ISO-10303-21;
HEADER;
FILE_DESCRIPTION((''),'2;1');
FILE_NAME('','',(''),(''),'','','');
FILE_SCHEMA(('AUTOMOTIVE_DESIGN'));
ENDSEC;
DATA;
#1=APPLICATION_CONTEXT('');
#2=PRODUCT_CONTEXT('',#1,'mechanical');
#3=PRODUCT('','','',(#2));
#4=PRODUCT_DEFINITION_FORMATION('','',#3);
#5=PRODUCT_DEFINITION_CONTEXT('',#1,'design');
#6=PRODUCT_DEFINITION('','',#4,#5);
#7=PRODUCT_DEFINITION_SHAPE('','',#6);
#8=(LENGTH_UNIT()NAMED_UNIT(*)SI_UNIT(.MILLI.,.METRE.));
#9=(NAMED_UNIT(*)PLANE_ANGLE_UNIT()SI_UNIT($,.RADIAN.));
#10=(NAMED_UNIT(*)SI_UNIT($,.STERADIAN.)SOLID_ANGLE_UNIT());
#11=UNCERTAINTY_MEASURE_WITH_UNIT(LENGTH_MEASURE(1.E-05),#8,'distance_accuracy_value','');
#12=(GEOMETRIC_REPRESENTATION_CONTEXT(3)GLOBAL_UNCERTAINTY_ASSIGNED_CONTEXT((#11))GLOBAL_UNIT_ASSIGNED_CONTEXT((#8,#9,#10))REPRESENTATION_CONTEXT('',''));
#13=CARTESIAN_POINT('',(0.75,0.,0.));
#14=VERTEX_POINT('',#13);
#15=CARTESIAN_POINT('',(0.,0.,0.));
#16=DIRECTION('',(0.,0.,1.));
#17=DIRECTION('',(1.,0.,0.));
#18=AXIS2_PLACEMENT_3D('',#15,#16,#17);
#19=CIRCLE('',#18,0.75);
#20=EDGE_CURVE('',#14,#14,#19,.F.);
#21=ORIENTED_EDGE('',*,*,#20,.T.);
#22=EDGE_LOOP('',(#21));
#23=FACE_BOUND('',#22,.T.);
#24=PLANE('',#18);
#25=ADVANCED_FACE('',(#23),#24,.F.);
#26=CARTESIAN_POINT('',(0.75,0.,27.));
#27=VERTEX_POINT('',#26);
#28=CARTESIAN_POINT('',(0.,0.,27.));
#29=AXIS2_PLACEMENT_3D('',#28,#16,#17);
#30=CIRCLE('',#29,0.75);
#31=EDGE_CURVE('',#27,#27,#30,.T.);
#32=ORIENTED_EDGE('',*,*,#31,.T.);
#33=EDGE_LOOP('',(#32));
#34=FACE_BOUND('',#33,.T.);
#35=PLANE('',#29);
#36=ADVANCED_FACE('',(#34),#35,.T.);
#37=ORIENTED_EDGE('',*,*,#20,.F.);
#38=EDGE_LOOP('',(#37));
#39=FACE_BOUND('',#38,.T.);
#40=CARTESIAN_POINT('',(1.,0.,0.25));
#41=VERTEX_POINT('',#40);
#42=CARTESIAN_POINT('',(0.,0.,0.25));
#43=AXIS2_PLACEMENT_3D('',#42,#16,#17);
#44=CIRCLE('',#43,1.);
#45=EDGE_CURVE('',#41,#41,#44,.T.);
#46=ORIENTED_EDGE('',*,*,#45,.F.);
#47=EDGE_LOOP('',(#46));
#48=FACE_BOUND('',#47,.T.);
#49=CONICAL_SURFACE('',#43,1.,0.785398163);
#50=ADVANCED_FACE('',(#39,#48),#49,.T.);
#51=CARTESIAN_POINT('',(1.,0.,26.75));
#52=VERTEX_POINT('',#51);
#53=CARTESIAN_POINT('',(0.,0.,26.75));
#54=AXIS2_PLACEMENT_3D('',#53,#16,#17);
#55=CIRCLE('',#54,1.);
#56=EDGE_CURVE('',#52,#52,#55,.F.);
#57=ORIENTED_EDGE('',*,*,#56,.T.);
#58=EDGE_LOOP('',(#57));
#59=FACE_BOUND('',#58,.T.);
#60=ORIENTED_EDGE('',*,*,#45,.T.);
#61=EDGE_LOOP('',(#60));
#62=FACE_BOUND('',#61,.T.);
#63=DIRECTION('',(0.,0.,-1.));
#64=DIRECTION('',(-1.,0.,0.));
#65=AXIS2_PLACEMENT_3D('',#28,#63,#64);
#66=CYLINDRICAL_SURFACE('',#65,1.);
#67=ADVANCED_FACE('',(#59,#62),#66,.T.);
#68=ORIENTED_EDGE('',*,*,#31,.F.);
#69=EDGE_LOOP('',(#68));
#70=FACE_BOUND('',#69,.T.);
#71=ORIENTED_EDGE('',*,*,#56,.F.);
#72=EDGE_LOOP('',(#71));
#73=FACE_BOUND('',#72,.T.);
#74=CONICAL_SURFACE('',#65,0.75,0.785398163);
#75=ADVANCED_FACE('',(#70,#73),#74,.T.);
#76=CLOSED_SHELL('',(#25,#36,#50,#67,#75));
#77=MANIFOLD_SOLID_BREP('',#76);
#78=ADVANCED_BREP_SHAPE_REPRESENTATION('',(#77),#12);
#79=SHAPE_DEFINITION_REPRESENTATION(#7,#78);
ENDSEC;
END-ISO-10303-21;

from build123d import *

# Parameters (mm, degrees)
ESQUISSE1_R          = 1
BASE_EXTRUSION_DEPTH = 27
CHANFREIN1_SIZE      = 0.25


with BuildPart() as part:
    # Esquisse1 → Base-Extrusion (new body)
    with BuildSketch(Plane.XY):
        Circle(ESQUISSE1_R)
    extrude(amount=BASE_EXTRUSION_DEPTH)

    # Chanfrein1
    chanfrein1_edges = [part.edges().sort_by_distance(p)[0] for p in [
        (-1, 0, 0),
        (-1, 0, 27),
    ]]
    chamfer(chanfrein1_edges, length=CHANFREIN1_SIZE)


solid = part.part
